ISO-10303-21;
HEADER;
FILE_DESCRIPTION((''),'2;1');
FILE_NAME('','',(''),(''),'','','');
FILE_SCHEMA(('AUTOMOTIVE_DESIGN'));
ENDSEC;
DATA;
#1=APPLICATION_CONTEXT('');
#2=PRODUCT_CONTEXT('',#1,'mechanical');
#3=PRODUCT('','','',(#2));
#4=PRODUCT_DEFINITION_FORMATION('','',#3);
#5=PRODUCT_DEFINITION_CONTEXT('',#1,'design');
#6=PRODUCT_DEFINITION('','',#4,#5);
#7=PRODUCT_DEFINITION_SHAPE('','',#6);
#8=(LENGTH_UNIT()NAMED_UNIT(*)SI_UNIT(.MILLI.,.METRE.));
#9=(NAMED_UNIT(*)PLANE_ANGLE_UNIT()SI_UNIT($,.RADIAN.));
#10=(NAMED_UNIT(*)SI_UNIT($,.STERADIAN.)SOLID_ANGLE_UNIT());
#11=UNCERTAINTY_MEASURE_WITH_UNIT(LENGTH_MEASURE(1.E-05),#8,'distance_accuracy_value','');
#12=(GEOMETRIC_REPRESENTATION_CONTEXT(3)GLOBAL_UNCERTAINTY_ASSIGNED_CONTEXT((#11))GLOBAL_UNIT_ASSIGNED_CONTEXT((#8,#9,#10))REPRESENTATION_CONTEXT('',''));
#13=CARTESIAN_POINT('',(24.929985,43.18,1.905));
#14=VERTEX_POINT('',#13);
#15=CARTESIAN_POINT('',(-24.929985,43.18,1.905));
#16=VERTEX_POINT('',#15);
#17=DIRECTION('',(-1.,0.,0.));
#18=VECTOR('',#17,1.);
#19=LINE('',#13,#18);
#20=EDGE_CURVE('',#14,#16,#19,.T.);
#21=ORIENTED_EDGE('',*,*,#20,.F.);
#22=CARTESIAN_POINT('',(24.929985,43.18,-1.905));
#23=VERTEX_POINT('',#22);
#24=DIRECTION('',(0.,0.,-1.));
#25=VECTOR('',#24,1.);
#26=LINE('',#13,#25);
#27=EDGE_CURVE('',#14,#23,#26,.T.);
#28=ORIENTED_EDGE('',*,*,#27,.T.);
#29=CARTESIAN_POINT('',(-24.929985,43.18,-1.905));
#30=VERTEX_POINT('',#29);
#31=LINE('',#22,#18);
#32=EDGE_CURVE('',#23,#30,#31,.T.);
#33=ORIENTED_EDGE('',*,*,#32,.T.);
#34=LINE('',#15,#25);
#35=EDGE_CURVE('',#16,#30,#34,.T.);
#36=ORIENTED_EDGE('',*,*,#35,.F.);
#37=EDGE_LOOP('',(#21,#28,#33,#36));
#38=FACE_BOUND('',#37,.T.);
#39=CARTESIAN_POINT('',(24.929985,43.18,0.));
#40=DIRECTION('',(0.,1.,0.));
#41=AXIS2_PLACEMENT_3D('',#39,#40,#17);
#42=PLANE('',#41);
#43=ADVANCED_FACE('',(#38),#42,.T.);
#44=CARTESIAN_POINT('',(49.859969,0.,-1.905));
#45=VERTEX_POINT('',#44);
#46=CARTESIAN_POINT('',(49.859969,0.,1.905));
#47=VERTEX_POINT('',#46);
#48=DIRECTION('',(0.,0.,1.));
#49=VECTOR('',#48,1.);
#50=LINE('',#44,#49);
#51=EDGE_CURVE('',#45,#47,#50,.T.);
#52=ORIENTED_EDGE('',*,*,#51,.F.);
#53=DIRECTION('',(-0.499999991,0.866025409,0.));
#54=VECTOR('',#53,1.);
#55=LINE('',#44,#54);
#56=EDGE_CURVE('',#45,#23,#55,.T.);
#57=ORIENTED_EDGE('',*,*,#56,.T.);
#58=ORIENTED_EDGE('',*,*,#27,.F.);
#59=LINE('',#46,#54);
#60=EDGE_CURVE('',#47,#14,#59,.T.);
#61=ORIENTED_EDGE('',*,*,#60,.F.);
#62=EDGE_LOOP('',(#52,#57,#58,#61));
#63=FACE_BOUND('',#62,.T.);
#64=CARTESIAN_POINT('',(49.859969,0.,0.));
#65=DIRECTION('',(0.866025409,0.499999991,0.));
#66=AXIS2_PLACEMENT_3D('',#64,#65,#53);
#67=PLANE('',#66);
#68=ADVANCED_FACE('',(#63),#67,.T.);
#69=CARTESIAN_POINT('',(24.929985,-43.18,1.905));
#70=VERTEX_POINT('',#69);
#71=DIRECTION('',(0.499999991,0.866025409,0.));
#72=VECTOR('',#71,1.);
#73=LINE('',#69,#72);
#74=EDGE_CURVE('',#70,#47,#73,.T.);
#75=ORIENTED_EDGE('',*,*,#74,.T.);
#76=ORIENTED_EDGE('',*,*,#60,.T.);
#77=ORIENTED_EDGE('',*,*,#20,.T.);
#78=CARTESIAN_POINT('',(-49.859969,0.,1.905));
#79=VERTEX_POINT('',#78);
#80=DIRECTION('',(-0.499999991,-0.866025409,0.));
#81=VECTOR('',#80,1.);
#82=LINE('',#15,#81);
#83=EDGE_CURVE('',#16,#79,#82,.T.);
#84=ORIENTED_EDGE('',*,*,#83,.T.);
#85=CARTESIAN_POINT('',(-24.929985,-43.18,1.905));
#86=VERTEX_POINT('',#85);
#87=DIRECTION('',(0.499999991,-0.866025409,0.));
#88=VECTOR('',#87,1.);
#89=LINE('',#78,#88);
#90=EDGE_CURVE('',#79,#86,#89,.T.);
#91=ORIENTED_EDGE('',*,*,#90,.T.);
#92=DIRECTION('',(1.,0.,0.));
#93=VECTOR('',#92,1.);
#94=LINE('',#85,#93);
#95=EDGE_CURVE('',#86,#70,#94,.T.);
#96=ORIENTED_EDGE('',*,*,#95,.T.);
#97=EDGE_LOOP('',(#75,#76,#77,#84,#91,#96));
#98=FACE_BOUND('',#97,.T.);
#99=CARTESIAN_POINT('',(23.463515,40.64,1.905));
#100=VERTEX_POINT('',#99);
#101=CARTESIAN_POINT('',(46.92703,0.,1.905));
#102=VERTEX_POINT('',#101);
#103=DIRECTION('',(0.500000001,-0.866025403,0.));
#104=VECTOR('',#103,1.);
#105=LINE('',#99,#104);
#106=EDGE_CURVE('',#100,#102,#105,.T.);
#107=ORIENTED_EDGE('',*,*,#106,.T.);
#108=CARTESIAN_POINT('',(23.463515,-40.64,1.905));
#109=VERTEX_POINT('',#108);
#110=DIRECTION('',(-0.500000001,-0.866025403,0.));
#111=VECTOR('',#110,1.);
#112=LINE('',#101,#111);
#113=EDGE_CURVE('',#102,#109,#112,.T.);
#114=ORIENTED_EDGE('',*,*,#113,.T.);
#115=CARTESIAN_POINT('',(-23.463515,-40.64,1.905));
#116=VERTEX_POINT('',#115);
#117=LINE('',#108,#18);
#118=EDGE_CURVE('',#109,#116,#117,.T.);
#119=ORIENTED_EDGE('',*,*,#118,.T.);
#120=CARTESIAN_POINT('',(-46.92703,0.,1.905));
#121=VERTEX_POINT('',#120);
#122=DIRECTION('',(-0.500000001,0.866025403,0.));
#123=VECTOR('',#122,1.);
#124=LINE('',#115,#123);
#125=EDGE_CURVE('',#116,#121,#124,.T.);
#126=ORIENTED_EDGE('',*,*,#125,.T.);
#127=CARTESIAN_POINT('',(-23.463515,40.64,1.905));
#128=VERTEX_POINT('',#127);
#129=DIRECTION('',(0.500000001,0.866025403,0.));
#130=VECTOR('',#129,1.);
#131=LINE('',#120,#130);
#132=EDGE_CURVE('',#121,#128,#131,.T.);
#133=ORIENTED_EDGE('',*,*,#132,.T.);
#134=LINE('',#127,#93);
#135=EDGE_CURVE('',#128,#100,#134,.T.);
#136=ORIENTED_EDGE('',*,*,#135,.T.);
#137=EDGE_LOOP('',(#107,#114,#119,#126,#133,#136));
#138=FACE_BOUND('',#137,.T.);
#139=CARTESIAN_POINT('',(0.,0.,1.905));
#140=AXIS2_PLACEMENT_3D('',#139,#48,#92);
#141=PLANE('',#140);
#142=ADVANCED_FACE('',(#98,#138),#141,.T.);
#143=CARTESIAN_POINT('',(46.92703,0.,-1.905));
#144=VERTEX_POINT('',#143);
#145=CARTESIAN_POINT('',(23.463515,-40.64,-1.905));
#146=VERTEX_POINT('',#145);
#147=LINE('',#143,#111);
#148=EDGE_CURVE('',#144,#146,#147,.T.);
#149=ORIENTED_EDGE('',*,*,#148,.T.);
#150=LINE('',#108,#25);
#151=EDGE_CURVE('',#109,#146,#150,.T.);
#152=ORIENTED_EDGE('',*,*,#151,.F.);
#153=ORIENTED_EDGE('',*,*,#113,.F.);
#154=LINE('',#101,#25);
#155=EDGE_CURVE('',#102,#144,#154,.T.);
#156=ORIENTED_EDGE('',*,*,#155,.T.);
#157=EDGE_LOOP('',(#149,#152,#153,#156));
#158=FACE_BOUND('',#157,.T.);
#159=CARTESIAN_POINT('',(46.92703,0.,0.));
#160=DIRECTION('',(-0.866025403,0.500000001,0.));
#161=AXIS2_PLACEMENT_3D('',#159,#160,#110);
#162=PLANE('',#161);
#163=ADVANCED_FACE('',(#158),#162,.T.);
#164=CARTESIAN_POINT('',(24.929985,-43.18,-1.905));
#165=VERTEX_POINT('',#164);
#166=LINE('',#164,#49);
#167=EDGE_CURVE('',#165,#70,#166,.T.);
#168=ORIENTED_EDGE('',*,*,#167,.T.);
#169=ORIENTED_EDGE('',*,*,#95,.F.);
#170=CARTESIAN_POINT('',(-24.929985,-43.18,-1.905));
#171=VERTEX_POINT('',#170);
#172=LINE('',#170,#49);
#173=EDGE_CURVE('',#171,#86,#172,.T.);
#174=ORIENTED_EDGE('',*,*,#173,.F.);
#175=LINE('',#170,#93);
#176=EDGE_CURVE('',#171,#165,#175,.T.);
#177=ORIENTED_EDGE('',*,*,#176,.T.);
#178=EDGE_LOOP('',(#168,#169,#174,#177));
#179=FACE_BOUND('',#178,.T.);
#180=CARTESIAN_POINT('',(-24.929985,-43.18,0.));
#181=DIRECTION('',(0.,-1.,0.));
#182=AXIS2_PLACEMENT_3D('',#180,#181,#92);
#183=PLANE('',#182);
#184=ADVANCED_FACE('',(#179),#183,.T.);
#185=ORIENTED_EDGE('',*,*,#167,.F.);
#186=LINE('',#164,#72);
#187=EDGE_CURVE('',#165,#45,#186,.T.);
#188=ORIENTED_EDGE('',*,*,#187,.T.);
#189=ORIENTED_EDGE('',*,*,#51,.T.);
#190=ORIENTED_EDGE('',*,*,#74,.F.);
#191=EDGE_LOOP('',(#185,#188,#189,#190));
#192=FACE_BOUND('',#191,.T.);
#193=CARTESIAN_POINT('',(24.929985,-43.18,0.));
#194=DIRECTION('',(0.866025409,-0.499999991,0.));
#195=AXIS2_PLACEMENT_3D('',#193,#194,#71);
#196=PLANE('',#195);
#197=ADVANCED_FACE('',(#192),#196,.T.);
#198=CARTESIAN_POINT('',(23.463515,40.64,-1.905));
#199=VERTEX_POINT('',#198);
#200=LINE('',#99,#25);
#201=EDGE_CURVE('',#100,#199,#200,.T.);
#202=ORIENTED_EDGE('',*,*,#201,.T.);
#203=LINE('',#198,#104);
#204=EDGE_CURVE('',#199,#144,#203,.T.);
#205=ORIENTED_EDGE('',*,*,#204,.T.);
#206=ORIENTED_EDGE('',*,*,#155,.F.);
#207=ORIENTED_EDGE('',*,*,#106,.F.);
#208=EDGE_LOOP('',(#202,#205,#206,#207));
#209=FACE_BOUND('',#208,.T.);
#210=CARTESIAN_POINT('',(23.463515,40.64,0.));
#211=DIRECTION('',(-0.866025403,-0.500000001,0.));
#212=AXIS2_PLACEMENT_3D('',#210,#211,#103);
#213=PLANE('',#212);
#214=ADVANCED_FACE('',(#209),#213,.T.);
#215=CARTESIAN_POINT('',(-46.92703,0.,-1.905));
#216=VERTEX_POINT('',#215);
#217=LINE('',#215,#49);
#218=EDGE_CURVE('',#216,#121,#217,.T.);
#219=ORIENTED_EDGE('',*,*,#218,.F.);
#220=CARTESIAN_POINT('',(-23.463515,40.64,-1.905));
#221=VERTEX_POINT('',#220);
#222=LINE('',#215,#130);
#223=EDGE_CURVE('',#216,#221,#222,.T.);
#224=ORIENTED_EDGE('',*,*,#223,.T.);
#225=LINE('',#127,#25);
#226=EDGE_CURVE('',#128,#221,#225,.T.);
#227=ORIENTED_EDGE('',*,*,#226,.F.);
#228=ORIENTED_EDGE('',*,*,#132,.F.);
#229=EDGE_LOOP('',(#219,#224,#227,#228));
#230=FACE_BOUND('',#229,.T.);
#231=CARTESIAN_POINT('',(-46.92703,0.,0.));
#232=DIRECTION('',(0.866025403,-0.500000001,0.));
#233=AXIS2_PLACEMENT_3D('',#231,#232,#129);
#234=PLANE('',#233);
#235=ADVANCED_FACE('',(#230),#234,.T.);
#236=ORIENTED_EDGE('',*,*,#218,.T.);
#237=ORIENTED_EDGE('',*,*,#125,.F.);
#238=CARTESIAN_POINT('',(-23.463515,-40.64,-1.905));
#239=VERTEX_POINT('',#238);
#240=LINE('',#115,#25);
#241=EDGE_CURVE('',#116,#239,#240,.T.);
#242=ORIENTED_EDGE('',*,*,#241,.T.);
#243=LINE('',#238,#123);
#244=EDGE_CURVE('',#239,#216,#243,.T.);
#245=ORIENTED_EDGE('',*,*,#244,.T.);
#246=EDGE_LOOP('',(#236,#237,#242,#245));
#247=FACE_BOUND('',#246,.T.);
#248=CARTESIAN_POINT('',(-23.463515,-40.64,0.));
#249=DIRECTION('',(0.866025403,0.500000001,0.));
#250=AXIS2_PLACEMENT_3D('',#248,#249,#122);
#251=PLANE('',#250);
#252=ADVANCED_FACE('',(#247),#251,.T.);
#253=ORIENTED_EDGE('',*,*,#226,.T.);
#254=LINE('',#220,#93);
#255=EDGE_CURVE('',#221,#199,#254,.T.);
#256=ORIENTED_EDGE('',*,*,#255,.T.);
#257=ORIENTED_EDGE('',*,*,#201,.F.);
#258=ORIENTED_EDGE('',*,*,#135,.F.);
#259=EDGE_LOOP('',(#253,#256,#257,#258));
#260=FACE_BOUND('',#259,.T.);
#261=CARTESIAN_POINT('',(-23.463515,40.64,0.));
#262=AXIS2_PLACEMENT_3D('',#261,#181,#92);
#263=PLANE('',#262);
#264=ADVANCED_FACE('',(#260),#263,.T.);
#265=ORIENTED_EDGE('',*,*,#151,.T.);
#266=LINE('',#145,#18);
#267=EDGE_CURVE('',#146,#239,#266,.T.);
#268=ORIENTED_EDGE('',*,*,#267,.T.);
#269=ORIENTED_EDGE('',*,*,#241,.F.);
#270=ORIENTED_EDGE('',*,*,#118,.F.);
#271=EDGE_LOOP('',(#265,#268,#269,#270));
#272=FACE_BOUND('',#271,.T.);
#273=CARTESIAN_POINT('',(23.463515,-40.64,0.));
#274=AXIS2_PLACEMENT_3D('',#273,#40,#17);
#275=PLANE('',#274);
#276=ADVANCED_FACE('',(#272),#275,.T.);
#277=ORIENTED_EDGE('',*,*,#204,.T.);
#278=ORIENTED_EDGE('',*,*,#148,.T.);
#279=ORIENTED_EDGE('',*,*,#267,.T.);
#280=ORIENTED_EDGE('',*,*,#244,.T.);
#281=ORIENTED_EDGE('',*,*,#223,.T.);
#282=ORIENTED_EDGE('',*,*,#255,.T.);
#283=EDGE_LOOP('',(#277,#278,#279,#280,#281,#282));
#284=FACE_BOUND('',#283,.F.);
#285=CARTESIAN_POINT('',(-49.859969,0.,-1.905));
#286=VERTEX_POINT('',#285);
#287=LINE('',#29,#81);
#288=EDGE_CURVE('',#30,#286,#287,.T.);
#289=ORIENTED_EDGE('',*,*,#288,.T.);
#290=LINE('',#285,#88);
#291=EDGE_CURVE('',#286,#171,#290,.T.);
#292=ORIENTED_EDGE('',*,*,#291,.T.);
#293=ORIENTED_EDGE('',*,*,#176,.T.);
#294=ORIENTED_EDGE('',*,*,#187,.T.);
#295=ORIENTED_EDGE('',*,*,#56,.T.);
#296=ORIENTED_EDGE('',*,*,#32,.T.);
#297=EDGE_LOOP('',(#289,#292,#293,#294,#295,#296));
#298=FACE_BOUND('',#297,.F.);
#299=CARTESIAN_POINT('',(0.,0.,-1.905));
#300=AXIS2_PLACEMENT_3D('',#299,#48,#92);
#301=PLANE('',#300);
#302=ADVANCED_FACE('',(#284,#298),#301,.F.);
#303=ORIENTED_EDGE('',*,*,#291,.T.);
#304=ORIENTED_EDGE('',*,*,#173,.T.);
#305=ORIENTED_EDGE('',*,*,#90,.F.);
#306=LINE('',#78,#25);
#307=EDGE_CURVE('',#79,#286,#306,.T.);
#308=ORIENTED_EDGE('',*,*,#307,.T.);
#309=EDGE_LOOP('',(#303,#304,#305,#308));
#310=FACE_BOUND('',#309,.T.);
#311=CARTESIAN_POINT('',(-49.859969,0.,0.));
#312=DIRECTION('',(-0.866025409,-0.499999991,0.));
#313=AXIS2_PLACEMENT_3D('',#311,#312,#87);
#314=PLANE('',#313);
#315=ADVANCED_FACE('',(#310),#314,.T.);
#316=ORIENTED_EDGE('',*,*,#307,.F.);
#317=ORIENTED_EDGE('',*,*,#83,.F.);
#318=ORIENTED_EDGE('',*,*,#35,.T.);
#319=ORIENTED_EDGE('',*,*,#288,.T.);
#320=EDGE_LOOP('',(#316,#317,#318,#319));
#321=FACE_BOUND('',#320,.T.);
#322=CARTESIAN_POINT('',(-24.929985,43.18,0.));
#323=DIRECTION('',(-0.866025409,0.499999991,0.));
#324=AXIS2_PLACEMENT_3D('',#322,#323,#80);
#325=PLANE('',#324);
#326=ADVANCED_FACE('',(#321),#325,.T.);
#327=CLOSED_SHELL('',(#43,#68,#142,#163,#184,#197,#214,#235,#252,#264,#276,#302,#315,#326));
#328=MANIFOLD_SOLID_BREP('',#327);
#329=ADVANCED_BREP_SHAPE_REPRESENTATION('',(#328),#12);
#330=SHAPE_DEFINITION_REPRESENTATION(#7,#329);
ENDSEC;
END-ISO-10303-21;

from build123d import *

# Parameters (mm, degrees)
F1_DEPTH = 1.905


with BuildPart() as f1:
    # F0 (on Top) → F1 (new body, symmetric)
    with BuildSketch(Plane.XY):
        Polygon((-49.859969, 0), (-24.929985, -43.18), (24.929985, -43.18), (49.859969, 0), (24.929985, 43.18), (-24.929985, 43.18), align=None)
        Polygon((-46.92703, 0), (-23.463515, 40.64), (23.463515, 40.64), (46.92703, 0), (23.463515, -40.64), (-23.463515, -40.64), align=None, mode=Mode.SUBTRACT)
    extrude(amount=F1_DEPTH, both=True)


solid = f1.part
